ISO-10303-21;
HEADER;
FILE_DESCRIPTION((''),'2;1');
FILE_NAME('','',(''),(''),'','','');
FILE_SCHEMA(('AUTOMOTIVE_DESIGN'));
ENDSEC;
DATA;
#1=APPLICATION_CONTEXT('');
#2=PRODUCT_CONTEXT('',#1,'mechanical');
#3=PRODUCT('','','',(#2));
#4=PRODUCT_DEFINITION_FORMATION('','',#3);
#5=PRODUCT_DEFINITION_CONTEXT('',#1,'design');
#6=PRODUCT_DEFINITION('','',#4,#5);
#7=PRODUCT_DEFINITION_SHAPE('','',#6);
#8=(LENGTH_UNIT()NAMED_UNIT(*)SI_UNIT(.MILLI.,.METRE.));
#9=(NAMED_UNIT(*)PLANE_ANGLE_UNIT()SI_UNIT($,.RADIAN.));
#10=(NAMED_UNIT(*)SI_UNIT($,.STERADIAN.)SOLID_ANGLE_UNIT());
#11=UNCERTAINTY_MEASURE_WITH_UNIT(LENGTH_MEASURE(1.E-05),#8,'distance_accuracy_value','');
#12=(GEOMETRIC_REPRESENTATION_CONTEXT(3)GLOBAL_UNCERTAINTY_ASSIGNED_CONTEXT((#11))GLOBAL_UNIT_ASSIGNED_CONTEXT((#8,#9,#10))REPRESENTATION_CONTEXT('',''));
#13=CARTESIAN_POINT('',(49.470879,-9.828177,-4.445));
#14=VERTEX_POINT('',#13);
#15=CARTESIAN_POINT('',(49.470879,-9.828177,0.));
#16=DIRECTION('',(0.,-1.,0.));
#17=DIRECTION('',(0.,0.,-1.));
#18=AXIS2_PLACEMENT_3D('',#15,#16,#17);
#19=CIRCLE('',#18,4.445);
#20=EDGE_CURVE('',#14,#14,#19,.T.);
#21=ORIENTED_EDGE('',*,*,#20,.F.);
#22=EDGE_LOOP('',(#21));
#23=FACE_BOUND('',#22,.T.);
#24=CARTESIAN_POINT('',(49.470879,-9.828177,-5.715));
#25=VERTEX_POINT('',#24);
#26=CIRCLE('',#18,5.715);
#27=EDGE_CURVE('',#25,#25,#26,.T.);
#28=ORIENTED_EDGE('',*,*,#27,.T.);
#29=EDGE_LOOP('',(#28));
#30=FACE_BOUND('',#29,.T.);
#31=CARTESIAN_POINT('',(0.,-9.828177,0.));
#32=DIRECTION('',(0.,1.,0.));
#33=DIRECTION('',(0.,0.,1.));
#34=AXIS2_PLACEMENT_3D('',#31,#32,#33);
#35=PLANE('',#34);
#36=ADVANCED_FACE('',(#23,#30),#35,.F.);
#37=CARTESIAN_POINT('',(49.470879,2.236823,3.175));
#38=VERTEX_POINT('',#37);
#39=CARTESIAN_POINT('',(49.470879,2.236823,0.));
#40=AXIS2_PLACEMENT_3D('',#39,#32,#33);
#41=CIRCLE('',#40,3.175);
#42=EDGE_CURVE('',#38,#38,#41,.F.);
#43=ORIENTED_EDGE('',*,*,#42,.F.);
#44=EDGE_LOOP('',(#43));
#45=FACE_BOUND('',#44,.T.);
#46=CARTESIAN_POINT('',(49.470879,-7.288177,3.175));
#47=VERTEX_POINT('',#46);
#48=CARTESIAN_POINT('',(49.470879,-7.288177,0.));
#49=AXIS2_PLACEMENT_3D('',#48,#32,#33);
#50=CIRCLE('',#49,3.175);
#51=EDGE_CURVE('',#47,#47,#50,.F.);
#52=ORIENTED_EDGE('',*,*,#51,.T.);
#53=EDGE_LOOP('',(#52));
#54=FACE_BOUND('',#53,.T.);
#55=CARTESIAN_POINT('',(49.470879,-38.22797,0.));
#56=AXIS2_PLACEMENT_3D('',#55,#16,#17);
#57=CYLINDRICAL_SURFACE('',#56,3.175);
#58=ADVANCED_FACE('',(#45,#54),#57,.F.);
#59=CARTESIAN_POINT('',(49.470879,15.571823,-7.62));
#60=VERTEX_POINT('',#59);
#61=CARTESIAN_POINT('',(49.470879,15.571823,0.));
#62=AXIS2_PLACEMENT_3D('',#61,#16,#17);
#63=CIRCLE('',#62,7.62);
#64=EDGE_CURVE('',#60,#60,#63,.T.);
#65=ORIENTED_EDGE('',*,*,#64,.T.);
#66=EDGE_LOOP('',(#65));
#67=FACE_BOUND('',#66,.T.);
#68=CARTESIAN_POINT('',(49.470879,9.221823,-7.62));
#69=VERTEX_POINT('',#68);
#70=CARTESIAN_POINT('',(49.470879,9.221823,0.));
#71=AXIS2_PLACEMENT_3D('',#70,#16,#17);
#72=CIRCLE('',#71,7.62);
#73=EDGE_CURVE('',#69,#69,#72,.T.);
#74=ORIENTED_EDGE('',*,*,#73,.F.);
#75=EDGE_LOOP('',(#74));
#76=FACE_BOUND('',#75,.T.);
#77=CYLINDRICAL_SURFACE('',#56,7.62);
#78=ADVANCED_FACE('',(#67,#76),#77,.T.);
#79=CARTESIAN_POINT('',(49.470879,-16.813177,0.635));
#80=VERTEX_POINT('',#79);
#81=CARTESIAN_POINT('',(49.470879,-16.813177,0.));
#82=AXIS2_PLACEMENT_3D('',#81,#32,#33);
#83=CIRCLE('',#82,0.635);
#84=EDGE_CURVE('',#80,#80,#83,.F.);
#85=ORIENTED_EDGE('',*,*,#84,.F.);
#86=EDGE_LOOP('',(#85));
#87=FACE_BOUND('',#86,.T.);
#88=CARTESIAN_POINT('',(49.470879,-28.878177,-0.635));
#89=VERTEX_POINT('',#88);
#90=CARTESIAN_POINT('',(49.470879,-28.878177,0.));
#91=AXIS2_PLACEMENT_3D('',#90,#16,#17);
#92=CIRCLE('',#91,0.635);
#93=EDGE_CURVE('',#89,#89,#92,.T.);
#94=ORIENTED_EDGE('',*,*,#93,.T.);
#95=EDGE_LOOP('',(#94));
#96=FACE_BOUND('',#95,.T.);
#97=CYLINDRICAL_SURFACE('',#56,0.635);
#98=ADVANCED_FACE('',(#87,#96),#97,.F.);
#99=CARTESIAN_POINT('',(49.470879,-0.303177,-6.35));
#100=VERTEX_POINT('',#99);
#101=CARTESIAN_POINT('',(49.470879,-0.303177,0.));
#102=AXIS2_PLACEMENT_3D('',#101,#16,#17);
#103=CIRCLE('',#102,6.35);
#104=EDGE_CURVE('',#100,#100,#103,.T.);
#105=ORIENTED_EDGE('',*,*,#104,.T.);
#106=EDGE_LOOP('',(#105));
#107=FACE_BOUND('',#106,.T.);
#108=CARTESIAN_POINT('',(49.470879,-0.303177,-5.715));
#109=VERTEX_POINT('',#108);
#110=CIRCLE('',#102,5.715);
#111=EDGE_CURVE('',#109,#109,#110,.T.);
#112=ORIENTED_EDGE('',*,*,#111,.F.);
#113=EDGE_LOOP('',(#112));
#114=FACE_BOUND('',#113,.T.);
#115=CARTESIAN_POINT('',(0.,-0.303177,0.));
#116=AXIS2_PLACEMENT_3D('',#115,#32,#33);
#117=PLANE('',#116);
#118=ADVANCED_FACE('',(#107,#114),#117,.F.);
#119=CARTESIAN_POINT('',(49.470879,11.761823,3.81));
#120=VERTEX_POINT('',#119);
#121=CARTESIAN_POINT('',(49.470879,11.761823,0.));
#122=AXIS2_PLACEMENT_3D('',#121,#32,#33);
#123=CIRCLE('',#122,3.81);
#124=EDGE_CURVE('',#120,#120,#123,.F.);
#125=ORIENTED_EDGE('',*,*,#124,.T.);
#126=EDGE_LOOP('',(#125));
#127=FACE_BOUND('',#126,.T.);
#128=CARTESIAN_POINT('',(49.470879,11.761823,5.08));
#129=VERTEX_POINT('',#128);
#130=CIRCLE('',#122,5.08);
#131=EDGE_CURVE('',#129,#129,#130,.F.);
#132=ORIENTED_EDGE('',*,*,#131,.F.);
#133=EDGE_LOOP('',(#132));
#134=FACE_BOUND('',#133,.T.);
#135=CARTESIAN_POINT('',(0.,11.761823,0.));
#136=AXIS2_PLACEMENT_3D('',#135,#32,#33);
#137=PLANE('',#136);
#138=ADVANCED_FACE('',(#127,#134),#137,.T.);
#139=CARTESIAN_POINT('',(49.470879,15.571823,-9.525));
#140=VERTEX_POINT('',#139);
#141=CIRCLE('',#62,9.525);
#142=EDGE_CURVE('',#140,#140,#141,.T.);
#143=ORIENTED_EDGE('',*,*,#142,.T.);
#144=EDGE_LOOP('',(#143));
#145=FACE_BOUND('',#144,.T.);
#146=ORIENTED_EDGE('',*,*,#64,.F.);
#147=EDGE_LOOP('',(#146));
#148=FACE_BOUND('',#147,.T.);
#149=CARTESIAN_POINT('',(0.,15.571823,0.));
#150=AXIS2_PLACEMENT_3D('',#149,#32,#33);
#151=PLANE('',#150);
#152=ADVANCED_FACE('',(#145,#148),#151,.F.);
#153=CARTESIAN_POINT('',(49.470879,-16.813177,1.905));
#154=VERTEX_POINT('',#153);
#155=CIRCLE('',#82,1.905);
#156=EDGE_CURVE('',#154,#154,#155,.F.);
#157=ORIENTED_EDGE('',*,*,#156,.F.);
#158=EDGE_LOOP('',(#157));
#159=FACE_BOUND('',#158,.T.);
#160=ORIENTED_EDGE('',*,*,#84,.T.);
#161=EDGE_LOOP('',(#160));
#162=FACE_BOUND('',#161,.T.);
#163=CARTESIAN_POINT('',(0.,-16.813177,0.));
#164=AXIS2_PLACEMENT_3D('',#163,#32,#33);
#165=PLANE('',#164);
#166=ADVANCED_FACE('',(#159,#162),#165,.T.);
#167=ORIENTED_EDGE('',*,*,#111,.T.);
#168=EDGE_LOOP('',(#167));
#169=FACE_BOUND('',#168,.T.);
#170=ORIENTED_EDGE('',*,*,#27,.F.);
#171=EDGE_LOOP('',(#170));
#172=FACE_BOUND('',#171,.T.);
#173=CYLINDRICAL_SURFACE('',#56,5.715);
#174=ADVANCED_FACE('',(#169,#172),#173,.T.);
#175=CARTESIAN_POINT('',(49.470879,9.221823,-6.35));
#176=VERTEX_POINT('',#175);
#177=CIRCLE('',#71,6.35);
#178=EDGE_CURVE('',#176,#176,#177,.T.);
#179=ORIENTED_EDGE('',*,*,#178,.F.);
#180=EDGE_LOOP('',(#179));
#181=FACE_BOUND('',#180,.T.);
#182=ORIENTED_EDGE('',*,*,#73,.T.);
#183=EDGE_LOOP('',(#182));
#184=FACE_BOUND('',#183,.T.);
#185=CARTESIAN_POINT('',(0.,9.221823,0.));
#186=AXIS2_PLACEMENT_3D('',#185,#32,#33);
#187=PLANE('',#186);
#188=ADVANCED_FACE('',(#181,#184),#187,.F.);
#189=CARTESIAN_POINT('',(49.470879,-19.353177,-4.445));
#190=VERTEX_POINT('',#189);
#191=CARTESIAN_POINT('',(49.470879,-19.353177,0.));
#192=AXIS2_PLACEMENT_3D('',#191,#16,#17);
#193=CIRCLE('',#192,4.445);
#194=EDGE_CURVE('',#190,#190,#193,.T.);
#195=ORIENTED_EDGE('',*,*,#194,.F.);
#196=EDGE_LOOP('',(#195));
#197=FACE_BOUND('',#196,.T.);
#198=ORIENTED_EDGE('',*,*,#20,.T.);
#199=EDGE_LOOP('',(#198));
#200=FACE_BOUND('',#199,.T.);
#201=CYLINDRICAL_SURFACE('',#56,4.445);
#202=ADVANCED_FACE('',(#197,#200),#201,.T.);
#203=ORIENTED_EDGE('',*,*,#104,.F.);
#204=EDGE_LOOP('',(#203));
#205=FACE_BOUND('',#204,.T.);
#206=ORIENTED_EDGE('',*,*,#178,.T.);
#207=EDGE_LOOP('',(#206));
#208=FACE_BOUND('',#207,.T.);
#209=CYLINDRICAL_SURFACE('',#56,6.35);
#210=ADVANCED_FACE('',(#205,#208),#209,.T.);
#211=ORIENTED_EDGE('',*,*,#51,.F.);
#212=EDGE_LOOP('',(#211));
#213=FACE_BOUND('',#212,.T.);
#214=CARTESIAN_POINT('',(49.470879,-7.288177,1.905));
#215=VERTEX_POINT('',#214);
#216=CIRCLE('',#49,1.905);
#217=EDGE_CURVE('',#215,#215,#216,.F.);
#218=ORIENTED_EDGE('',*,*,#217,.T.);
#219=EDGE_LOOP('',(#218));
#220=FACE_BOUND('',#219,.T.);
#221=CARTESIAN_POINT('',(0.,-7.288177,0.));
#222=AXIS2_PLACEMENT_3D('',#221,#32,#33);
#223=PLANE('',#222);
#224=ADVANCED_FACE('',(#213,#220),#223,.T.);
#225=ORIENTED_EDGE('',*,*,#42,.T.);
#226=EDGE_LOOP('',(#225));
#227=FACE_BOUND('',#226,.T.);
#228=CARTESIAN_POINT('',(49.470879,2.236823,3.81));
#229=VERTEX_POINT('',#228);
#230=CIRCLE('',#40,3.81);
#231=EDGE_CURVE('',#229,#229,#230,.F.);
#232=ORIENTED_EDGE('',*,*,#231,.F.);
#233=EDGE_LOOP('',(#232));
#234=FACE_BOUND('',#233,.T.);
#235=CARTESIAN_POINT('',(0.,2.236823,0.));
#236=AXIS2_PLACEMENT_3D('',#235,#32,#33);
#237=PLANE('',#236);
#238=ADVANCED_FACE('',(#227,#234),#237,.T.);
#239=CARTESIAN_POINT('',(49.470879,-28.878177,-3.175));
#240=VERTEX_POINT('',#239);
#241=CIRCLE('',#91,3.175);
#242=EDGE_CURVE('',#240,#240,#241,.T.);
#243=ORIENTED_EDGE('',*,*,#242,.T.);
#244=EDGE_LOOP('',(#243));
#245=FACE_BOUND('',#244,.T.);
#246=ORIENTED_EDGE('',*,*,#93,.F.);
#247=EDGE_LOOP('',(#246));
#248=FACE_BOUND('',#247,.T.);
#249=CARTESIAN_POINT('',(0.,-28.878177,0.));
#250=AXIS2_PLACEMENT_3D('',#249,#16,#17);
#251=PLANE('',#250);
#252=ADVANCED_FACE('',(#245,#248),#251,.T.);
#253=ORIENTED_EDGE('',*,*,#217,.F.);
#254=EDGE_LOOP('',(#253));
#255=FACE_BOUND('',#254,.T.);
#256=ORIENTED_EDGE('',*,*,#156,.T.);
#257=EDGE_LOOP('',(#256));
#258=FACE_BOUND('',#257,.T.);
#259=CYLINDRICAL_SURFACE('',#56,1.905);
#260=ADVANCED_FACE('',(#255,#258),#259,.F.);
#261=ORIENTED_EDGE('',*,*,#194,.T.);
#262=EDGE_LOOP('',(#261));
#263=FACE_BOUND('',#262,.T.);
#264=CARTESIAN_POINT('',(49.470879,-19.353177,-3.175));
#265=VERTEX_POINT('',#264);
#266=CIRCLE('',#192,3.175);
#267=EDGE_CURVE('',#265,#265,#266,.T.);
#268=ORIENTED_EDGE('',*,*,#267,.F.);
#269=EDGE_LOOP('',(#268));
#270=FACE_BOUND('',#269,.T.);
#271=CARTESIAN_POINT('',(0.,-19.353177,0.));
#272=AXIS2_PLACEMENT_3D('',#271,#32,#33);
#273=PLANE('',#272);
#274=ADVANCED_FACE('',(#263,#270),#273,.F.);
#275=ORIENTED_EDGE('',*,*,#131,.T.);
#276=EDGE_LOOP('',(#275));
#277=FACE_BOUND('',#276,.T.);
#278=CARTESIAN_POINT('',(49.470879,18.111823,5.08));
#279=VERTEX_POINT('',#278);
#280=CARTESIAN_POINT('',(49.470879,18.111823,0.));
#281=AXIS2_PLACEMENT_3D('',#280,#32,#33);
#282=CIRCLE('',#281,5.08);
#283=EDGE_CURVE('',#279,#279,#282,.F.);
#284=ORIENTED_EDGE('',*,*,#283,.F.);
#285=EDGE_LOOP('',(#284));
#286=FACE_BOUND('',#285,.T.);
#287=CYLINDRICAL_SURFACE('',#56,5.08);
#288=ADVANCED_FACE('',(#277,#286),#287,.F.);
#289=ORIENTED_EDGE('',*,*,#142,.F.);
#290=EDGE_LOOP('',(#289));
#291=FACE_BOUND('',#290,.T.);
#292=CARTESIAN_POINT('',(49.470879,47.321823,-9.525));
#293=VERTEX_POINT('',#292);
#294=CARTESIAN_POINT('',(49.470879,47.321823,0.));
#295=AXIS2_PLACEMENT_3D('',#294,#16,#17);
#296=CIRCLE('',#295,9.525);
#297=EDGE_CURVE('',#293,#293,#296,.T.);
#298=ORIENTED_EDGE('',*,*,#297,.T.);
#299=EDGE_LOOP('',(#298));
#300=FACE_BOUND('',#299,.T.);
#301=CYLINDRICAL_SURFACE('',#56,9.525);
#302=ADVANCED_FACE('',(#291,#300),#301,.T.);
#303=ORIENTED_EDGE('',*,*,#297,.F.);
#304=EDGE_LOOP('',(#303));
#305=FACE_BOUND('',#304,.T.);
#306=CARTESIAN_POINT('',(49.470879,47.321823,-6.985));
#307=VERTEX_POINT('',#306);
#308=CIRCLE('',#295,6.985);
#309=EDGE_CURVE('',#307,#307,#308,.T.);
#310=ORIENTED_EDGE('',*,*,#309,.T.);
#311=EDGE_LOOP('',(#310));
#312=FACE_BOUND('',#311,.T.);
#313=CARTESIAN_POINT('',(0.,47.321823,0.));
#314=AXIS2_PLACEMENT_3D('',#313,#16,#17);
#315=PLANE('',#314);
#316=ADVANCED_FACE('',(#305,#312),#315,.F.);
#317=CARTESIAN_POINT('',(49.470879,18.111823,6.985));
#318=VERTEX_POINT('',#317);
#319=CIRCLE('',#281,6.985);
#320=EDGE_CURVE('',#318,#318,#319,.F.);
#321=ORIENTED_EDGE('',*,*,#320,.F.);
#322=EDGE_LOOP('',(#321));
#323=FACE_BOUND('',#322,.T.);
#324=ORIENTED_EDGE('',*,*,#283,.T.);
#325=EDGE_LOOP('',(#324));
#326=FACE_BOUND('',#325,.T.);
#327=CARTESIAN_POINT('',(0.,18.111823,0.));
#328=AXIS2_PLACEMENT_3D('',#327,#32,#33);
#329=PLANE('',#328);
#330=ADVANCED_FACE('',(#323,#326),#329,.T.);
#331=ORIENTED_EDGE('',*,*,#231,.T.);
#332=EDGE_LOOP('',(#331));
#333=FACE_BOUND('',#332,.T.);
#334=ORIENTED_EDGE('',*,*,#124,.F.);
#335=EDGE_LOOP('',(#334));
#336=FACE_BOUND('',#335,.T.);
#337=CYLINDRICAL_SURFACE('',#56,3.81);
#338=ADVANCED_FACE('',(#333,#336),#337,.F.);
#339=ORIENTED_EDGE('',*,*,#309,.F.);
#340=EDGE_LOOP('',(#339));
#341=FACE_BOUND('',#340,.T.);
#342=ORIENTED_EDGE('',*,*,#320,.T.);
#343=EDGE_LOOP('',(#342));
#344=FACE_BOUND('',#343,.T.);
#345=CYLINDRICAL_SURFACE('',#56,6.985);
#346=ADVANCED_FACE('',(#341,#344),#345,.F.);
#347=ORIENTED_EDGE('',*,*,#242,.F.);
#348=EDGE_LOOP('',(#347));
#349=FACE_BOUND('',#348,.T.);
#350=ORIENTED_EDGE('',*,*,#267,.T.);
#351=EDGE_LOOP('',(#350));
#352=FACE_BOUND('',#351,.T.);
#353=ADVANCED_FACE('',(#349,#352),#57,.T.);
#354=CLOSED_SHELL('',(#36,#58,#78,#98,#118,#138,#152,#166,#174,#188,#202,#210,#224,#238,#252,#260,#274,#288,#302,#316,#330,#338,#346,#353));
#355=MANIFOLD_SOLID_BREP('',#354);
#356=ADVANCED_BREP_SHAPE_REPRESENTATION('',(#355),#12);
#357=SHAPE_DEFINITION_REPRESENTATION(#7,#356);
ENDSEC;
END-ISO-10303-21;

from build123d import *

# Parameters (mm, degrees)
SKETCH1_W = 3.175
SKETCH1_H = 9.525
SHELL1_T  = -2.54


with BuildPart() as part:
    # Sketch1 → Revolve5 (revolve)
    with BuildSketch(Plane.XY, mode=Mode.PRIVATE) as revolve5_sk:
        Polygon((49.470878753, 15.571822686), (49.470878753, 47.321822686), (39.945878753, 47.321822686), (39.945878753, 15.571822686), (41.850878753, 15.571822686), align=None)
        Polygon((49.470878753, 9.221822686), (49.470878753, 15.571822686), (41.850878753, 15.571822686), (41.850878753, 9.221822686), (43.120878753, 9.221822686), align=None)
        Polygon((49.470878753, -0.303177314), (49.470878753, 9.221822686), (43.120878753, 9.221822686), (43.120878753, -0.303177314), (43.755878753, -0.303177314), align=None)
        Polygon((49.470878753, -9.828177314), (49.470878753, -0.303177314), (43.755878753, -0.303177314), (43.755878753, -9.828177314), (45.025878753, -9.828177314), align=None)
        Polygon((49.470878753, -19.353177314), (49.470878753, -9.828177314), (45.025878753, -9.828177314), (45.025878753, -19.353177314), (46.295878753, -19.353177314), align=None)
        with Locations((47.883378753, -24.115677314)):
            Rectangle(SKETCH1_W, SKETCH1_H)
    revolve(revolve5_sk.sketch.rotate(Axis((49.470878753, -38.227970454, 0), (0, 1, 0)), 270), axis=Axis((49.470878753, -38.227970454, 0), (0, 1, 0)))

    # Shell1
    shell1_openings = [part.faces().sort_by_distance(p)[0] for p in [
        (49.470878753, 47.321822686, 0),
        (49.470878753, -28.878177314, 0),
    ]]
    offset(amount=SHELL1_T, openings=shell1_openings, kind=Kind.INTERSECTION)


solid = part.part
